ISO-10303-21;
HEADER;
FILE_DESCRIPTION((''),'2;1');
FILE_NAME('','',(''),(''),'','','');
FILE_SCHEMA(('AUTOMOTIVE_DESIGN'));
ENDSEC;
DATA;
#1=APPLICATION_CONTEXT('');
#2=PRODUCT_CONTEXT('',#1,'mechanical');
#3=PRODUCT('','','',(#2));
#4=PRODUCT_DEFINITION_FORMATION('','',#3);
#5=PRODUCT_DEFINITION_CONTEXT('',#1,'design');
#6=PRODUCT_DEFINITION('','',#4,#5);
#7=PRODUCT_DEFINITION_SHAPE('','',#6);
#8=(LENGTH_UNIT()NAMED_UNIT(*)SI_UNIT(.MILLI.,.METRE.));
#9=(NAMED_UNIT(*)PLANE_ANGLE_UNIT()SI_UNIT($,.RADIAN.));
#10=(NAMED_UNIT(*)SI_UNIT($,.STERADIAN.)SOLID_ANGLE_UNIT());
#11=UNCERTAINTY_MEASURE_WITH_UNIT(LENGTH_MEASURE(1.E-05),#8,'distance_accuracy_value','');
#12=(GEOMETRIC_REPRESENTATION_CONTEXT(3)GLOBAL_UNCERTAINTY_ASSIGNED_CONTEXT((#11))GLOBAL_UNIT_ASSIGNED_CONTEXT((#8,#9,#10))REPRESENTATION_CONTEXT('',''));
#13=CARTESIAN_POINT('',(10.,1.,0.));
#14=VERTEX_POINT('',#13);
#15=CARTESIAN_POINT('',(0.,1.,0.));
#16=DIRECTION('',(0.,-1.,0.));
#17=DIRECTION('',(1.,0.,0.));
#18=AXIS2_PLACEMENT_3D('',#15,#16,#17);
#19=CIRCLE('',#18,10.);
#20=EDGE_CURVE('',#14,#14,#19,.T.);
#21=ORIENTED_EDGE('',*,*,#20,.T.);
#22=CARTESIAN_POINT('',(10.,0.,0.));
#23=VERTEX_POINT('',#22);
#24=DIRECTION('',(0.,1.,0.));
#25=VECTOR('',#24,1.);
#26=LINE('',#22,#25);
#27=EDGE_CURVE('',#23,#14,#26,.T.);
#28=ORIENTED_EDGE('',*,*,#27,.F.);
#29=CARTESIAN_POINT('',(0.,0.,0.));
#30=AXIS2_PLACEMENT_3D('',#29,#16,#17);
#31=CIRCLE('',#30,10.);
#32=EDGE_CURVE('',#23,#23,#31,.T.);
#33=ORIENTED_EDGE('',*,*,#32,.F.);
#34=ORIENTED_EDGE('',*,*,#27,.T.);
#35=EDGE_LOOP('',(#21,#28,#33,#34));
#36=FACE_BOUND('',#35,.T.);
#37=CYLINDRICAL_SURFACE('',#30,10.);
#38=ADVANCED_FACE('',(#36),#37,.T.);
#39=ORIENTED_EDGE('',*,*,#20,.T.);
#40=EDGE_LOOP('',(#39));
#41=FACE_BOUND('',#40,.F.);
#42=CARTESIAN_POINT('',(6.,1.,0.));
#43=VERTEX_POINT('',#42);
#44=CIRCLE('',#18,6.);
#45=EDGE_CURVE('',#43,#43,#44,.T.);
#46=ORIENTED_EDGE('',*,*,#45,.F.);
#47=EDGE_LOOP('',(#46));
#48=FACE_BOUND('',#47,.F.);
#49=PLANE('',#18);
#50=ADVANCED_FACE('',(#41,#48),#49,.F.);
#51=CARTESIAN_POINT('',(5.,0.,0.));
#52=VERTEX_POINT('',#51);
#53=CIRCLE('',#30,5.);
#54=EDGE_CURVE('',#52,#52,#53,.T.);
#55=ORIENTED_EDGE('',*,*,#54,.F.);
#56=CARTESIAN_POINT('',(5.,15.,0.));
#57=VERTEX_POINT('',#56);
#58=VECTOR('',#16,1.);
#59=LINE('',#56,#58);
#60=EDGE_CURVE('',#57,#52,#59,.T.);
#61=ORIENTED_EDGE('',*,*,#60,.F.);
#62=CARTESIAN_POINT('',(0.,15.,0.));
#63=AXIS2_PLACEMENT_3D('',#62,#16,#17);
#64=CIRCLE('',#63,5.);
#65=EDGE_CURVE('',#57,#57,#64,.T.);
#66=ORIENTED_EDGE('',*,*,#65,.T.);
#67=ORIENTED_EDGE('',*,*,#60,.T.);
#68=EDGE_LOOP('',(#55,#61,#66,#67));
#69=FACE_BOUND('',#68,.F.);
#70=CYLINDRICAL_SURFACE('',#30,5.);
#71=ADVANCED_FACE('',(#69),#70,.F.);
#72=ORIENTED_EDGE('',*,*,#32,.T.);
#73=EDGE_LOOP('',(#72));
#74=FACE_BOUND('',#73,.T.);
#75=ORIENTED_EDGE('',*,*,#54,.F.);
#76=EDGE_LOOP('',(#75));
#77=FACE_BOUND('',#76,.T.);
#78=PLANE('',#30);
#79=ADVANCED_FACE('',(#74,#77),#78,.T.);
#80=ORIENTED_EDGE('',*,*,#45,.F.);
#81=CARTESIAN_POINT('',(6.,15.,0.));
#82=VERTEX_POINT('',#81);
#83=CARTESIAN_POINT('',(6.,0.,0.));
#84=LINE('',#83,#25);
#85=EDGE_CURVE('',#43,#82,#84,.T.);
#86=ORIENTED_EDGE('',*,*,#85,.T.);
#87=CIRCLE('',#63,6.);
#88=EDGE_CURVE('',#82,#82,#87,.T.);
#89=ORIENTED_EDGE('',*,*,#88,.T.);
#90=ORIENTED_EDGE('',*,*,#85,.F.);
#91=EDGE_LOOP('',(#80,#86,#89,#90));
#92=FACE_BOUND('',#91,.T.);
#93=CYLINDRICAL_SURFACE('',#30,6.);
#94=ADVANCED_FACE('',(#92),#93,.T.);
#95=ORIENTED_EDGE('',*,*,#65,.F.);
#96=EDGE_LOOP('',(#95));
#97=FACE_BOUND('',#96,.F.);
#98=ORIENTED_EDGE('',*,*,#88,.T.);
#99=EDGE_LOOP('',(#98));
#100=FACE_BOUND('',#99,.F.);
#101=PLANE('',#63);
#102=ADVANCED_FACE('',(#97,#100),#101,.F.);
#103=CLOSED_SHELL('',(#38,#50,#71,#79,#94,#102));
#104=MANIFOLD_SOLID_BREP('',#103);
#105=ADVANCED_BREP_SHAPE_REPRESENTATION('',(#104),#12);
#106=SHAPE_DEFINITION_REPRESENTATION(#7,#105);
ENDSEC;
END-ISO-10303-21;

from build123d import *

# Parameters (mm, degrees)
F0_R     = 6
F0_R_2   = 5
F1_DEPTH = 15
F2_R     = 10
F2_R_2   = 5
F3_DEPTH = 1


with BuildPart() as f1:
    # F0 (on Front) → F1 (new body)
    with BuildSketch(Plane.XZ):
        Circle(F0_R)
        Circle(F0_R_2, mode=Mode.SUBTRACT)
    extrude(amount=-F1_DEPTH)

    # F2 (on Front) → F3 (join)
    with BuildSketch(Plane.XZ):
        Circle(F2_R)
        Circle(F2_R_2, mode=Mode.SUBTRACT)
    extrude(amount=-F3_DEPTH)


solid = f1.part
